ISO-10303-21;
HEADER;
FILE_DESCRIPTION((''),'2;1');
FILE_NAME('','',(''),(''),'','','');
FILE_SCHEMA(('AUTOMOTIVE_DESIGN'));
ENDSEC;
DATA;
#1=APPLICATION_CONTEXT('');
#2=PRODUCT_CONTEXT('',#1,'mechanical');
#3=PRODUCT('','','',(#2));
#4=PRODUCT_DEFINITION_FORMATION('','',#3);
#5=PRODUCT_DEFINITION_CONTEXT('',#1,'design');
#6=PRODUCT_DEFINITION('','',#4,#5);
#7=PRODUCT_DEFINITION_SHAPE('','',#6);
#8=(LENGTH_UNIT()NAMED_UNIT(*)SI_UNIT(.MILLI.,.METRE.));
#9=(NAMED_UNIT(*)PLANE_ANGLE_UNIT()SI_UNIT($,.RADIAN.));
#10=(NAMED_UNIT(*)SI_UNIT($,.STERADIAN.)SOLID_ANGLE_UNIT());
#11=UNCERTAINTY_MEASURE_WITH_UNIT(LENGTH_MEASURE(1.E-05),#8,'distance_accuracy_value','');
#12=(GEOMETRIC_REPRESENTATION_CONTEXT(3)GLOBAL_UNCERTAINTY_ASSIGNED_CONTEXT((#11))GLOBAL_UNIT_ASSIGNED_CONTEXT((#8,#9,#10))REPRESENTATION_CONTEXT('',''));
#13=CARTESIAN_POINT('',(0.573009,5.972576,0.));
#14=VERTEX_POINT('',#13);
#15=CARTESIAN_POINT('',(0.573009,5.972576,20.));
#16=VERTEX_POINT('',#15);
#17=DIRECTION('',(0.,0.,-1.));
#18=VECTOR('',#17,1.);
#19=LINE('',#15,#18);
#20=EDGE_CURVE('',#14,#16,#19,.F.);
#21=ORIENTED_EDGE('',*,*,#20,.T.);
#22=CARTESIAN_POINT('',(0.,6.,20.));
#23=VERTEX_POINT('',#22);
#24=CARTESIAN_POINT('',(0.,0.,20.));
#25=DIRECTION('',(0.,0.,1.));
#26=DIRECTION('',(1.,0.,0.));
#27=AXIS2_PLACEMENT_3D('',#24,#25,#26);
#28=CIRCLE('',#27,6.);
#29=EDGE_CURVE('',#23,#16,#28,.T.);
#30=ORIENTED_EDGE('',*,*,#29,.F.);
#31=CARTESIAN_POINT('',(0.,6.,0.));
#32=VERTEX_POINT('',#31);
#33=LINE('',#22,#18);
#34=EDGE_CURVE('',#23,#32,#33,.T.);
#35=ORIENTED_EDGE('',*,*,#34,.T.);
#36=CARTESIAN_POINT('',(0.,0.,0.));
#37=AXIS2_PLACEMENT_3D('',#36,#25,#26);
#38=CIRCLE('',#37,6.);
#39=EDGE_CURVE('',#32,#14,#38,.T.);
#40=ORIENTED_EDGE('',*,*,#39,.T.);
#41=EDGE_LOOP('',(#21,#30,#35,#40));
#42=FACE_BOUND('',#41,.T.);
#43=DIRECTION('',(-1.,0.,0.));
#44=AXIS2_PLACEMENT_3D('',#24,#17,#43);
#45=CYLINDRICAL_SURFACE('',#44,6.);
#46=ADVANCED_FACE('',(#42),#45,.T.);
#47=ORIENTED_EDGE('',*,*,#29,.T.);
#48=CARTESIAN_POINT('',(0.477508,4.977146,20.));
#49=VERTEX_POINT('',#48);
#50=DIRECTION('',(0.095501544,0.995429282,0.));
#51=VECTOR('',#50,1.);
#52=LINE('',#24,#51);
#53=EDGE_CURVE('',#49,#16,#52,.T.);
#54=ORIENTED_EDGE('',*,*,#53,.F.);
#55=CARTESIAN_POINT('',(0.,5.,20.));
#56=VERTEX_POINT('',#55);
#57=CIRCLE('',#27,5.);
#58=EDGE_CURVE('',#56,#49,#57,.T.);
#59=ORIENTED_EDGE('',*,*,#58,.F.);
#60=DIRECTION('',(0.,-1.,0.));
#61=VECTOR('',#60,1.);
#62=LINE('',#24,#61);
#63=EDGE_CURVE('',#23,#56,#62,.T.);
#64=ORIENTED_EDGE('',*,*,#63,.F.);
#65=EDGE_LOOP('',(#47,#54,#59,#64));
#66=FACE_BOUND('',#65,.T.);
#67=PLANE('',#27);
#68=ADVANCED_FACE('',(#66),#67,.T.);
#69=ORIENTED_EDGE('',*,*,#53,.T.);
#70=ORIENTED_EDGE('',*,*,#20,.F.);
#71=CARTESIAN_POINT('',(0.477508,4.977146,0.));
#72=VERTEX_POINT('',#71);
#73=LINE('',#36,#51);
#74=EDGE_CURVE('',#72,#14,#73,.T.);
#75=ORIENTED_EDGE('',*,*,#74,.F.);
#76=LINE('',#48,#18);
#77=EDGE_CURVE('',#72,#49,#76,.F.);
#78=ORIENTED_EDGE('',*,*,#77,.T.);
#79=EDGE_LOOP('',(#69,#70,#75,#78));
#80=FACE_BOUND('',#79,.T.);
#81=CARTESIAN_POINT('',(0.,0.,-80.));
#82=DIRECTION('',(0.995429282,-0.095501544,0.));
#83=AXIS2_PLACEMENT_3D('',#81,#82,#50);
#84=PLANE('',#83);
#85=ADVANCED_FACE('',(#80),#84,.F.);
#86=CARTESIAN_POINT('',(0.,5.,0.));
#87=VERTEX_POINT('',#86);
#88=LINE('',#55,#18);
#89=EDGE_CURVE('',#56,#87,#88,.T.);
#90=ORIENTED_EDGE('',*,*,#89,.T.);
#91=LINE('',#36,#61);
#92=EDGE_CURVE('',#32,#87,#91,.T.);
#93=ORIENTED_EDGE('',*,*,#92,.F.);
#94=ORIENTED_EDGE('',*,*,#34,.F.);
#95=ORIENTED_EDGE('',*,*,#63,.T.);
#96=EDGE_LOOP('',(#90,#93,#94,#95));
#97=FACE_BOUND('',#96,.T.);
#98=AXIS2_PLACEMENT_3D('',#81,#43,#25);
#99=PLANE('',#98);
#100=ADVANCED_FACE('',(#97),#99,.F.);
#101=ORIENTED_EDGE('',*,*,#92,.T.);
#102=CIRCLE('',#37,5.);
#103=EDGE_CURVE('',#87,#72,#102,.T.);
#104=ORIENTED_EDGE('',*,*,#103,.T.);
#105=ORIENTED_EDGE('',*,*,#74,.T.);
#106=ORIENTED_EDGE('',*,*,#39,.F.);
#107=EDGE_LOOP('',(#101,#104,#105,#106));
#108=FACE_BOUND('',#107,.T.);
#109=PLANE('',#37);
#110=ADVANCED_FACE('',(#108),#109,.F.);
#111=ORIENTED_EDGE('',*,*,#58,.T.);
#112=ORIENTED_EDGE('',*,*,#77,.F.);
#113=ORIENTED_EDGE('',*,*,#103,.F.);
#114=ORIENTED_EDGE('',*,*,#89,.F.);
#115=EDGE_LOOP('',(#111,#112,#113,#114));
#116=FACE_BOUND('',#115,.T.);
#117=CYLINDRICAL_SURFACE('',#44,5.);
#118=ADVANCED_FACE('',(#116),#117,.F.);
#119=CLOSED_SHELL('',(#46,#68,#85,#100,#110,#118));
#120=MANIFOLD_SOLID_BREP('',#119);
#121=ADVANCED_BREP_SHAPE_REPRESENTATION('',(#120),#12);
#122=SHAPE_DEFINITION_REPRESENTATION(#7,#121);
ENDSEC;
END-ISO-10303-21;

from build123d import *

# Parameters (mm, degrees)
SKETCH_1_R          = 6
SKETCH_1_R_2        = 5
EXTRUDE_1_DEPTH     = 20
CUT_EXTRUDE_1_DEPTH = 100


with BuildPart() as part:
    # 草图1 → 凸台-拉伸1 (new body)
    with BuildSketch(Plane.XY):
        Circle(SKETCH_1_R)
        Circle(SKETCH_1_R_2, mode=Mode.SUBTRACT)
    extrude(amount=EXTRUDE_1_DEPTH)

    # 草图2 → 切除-拉伸1 (cut)
    with BuildSketch(Plane.XY.offset(20)):
        Polygon((0, 0), (0, 12.680870074), (1.216603418, 12.680870074), align=None)
    extrude(amount=-CUT_EXTRUDE_1_DEPTH, mode=Mode.SUBTRACT)


solid = part.part
